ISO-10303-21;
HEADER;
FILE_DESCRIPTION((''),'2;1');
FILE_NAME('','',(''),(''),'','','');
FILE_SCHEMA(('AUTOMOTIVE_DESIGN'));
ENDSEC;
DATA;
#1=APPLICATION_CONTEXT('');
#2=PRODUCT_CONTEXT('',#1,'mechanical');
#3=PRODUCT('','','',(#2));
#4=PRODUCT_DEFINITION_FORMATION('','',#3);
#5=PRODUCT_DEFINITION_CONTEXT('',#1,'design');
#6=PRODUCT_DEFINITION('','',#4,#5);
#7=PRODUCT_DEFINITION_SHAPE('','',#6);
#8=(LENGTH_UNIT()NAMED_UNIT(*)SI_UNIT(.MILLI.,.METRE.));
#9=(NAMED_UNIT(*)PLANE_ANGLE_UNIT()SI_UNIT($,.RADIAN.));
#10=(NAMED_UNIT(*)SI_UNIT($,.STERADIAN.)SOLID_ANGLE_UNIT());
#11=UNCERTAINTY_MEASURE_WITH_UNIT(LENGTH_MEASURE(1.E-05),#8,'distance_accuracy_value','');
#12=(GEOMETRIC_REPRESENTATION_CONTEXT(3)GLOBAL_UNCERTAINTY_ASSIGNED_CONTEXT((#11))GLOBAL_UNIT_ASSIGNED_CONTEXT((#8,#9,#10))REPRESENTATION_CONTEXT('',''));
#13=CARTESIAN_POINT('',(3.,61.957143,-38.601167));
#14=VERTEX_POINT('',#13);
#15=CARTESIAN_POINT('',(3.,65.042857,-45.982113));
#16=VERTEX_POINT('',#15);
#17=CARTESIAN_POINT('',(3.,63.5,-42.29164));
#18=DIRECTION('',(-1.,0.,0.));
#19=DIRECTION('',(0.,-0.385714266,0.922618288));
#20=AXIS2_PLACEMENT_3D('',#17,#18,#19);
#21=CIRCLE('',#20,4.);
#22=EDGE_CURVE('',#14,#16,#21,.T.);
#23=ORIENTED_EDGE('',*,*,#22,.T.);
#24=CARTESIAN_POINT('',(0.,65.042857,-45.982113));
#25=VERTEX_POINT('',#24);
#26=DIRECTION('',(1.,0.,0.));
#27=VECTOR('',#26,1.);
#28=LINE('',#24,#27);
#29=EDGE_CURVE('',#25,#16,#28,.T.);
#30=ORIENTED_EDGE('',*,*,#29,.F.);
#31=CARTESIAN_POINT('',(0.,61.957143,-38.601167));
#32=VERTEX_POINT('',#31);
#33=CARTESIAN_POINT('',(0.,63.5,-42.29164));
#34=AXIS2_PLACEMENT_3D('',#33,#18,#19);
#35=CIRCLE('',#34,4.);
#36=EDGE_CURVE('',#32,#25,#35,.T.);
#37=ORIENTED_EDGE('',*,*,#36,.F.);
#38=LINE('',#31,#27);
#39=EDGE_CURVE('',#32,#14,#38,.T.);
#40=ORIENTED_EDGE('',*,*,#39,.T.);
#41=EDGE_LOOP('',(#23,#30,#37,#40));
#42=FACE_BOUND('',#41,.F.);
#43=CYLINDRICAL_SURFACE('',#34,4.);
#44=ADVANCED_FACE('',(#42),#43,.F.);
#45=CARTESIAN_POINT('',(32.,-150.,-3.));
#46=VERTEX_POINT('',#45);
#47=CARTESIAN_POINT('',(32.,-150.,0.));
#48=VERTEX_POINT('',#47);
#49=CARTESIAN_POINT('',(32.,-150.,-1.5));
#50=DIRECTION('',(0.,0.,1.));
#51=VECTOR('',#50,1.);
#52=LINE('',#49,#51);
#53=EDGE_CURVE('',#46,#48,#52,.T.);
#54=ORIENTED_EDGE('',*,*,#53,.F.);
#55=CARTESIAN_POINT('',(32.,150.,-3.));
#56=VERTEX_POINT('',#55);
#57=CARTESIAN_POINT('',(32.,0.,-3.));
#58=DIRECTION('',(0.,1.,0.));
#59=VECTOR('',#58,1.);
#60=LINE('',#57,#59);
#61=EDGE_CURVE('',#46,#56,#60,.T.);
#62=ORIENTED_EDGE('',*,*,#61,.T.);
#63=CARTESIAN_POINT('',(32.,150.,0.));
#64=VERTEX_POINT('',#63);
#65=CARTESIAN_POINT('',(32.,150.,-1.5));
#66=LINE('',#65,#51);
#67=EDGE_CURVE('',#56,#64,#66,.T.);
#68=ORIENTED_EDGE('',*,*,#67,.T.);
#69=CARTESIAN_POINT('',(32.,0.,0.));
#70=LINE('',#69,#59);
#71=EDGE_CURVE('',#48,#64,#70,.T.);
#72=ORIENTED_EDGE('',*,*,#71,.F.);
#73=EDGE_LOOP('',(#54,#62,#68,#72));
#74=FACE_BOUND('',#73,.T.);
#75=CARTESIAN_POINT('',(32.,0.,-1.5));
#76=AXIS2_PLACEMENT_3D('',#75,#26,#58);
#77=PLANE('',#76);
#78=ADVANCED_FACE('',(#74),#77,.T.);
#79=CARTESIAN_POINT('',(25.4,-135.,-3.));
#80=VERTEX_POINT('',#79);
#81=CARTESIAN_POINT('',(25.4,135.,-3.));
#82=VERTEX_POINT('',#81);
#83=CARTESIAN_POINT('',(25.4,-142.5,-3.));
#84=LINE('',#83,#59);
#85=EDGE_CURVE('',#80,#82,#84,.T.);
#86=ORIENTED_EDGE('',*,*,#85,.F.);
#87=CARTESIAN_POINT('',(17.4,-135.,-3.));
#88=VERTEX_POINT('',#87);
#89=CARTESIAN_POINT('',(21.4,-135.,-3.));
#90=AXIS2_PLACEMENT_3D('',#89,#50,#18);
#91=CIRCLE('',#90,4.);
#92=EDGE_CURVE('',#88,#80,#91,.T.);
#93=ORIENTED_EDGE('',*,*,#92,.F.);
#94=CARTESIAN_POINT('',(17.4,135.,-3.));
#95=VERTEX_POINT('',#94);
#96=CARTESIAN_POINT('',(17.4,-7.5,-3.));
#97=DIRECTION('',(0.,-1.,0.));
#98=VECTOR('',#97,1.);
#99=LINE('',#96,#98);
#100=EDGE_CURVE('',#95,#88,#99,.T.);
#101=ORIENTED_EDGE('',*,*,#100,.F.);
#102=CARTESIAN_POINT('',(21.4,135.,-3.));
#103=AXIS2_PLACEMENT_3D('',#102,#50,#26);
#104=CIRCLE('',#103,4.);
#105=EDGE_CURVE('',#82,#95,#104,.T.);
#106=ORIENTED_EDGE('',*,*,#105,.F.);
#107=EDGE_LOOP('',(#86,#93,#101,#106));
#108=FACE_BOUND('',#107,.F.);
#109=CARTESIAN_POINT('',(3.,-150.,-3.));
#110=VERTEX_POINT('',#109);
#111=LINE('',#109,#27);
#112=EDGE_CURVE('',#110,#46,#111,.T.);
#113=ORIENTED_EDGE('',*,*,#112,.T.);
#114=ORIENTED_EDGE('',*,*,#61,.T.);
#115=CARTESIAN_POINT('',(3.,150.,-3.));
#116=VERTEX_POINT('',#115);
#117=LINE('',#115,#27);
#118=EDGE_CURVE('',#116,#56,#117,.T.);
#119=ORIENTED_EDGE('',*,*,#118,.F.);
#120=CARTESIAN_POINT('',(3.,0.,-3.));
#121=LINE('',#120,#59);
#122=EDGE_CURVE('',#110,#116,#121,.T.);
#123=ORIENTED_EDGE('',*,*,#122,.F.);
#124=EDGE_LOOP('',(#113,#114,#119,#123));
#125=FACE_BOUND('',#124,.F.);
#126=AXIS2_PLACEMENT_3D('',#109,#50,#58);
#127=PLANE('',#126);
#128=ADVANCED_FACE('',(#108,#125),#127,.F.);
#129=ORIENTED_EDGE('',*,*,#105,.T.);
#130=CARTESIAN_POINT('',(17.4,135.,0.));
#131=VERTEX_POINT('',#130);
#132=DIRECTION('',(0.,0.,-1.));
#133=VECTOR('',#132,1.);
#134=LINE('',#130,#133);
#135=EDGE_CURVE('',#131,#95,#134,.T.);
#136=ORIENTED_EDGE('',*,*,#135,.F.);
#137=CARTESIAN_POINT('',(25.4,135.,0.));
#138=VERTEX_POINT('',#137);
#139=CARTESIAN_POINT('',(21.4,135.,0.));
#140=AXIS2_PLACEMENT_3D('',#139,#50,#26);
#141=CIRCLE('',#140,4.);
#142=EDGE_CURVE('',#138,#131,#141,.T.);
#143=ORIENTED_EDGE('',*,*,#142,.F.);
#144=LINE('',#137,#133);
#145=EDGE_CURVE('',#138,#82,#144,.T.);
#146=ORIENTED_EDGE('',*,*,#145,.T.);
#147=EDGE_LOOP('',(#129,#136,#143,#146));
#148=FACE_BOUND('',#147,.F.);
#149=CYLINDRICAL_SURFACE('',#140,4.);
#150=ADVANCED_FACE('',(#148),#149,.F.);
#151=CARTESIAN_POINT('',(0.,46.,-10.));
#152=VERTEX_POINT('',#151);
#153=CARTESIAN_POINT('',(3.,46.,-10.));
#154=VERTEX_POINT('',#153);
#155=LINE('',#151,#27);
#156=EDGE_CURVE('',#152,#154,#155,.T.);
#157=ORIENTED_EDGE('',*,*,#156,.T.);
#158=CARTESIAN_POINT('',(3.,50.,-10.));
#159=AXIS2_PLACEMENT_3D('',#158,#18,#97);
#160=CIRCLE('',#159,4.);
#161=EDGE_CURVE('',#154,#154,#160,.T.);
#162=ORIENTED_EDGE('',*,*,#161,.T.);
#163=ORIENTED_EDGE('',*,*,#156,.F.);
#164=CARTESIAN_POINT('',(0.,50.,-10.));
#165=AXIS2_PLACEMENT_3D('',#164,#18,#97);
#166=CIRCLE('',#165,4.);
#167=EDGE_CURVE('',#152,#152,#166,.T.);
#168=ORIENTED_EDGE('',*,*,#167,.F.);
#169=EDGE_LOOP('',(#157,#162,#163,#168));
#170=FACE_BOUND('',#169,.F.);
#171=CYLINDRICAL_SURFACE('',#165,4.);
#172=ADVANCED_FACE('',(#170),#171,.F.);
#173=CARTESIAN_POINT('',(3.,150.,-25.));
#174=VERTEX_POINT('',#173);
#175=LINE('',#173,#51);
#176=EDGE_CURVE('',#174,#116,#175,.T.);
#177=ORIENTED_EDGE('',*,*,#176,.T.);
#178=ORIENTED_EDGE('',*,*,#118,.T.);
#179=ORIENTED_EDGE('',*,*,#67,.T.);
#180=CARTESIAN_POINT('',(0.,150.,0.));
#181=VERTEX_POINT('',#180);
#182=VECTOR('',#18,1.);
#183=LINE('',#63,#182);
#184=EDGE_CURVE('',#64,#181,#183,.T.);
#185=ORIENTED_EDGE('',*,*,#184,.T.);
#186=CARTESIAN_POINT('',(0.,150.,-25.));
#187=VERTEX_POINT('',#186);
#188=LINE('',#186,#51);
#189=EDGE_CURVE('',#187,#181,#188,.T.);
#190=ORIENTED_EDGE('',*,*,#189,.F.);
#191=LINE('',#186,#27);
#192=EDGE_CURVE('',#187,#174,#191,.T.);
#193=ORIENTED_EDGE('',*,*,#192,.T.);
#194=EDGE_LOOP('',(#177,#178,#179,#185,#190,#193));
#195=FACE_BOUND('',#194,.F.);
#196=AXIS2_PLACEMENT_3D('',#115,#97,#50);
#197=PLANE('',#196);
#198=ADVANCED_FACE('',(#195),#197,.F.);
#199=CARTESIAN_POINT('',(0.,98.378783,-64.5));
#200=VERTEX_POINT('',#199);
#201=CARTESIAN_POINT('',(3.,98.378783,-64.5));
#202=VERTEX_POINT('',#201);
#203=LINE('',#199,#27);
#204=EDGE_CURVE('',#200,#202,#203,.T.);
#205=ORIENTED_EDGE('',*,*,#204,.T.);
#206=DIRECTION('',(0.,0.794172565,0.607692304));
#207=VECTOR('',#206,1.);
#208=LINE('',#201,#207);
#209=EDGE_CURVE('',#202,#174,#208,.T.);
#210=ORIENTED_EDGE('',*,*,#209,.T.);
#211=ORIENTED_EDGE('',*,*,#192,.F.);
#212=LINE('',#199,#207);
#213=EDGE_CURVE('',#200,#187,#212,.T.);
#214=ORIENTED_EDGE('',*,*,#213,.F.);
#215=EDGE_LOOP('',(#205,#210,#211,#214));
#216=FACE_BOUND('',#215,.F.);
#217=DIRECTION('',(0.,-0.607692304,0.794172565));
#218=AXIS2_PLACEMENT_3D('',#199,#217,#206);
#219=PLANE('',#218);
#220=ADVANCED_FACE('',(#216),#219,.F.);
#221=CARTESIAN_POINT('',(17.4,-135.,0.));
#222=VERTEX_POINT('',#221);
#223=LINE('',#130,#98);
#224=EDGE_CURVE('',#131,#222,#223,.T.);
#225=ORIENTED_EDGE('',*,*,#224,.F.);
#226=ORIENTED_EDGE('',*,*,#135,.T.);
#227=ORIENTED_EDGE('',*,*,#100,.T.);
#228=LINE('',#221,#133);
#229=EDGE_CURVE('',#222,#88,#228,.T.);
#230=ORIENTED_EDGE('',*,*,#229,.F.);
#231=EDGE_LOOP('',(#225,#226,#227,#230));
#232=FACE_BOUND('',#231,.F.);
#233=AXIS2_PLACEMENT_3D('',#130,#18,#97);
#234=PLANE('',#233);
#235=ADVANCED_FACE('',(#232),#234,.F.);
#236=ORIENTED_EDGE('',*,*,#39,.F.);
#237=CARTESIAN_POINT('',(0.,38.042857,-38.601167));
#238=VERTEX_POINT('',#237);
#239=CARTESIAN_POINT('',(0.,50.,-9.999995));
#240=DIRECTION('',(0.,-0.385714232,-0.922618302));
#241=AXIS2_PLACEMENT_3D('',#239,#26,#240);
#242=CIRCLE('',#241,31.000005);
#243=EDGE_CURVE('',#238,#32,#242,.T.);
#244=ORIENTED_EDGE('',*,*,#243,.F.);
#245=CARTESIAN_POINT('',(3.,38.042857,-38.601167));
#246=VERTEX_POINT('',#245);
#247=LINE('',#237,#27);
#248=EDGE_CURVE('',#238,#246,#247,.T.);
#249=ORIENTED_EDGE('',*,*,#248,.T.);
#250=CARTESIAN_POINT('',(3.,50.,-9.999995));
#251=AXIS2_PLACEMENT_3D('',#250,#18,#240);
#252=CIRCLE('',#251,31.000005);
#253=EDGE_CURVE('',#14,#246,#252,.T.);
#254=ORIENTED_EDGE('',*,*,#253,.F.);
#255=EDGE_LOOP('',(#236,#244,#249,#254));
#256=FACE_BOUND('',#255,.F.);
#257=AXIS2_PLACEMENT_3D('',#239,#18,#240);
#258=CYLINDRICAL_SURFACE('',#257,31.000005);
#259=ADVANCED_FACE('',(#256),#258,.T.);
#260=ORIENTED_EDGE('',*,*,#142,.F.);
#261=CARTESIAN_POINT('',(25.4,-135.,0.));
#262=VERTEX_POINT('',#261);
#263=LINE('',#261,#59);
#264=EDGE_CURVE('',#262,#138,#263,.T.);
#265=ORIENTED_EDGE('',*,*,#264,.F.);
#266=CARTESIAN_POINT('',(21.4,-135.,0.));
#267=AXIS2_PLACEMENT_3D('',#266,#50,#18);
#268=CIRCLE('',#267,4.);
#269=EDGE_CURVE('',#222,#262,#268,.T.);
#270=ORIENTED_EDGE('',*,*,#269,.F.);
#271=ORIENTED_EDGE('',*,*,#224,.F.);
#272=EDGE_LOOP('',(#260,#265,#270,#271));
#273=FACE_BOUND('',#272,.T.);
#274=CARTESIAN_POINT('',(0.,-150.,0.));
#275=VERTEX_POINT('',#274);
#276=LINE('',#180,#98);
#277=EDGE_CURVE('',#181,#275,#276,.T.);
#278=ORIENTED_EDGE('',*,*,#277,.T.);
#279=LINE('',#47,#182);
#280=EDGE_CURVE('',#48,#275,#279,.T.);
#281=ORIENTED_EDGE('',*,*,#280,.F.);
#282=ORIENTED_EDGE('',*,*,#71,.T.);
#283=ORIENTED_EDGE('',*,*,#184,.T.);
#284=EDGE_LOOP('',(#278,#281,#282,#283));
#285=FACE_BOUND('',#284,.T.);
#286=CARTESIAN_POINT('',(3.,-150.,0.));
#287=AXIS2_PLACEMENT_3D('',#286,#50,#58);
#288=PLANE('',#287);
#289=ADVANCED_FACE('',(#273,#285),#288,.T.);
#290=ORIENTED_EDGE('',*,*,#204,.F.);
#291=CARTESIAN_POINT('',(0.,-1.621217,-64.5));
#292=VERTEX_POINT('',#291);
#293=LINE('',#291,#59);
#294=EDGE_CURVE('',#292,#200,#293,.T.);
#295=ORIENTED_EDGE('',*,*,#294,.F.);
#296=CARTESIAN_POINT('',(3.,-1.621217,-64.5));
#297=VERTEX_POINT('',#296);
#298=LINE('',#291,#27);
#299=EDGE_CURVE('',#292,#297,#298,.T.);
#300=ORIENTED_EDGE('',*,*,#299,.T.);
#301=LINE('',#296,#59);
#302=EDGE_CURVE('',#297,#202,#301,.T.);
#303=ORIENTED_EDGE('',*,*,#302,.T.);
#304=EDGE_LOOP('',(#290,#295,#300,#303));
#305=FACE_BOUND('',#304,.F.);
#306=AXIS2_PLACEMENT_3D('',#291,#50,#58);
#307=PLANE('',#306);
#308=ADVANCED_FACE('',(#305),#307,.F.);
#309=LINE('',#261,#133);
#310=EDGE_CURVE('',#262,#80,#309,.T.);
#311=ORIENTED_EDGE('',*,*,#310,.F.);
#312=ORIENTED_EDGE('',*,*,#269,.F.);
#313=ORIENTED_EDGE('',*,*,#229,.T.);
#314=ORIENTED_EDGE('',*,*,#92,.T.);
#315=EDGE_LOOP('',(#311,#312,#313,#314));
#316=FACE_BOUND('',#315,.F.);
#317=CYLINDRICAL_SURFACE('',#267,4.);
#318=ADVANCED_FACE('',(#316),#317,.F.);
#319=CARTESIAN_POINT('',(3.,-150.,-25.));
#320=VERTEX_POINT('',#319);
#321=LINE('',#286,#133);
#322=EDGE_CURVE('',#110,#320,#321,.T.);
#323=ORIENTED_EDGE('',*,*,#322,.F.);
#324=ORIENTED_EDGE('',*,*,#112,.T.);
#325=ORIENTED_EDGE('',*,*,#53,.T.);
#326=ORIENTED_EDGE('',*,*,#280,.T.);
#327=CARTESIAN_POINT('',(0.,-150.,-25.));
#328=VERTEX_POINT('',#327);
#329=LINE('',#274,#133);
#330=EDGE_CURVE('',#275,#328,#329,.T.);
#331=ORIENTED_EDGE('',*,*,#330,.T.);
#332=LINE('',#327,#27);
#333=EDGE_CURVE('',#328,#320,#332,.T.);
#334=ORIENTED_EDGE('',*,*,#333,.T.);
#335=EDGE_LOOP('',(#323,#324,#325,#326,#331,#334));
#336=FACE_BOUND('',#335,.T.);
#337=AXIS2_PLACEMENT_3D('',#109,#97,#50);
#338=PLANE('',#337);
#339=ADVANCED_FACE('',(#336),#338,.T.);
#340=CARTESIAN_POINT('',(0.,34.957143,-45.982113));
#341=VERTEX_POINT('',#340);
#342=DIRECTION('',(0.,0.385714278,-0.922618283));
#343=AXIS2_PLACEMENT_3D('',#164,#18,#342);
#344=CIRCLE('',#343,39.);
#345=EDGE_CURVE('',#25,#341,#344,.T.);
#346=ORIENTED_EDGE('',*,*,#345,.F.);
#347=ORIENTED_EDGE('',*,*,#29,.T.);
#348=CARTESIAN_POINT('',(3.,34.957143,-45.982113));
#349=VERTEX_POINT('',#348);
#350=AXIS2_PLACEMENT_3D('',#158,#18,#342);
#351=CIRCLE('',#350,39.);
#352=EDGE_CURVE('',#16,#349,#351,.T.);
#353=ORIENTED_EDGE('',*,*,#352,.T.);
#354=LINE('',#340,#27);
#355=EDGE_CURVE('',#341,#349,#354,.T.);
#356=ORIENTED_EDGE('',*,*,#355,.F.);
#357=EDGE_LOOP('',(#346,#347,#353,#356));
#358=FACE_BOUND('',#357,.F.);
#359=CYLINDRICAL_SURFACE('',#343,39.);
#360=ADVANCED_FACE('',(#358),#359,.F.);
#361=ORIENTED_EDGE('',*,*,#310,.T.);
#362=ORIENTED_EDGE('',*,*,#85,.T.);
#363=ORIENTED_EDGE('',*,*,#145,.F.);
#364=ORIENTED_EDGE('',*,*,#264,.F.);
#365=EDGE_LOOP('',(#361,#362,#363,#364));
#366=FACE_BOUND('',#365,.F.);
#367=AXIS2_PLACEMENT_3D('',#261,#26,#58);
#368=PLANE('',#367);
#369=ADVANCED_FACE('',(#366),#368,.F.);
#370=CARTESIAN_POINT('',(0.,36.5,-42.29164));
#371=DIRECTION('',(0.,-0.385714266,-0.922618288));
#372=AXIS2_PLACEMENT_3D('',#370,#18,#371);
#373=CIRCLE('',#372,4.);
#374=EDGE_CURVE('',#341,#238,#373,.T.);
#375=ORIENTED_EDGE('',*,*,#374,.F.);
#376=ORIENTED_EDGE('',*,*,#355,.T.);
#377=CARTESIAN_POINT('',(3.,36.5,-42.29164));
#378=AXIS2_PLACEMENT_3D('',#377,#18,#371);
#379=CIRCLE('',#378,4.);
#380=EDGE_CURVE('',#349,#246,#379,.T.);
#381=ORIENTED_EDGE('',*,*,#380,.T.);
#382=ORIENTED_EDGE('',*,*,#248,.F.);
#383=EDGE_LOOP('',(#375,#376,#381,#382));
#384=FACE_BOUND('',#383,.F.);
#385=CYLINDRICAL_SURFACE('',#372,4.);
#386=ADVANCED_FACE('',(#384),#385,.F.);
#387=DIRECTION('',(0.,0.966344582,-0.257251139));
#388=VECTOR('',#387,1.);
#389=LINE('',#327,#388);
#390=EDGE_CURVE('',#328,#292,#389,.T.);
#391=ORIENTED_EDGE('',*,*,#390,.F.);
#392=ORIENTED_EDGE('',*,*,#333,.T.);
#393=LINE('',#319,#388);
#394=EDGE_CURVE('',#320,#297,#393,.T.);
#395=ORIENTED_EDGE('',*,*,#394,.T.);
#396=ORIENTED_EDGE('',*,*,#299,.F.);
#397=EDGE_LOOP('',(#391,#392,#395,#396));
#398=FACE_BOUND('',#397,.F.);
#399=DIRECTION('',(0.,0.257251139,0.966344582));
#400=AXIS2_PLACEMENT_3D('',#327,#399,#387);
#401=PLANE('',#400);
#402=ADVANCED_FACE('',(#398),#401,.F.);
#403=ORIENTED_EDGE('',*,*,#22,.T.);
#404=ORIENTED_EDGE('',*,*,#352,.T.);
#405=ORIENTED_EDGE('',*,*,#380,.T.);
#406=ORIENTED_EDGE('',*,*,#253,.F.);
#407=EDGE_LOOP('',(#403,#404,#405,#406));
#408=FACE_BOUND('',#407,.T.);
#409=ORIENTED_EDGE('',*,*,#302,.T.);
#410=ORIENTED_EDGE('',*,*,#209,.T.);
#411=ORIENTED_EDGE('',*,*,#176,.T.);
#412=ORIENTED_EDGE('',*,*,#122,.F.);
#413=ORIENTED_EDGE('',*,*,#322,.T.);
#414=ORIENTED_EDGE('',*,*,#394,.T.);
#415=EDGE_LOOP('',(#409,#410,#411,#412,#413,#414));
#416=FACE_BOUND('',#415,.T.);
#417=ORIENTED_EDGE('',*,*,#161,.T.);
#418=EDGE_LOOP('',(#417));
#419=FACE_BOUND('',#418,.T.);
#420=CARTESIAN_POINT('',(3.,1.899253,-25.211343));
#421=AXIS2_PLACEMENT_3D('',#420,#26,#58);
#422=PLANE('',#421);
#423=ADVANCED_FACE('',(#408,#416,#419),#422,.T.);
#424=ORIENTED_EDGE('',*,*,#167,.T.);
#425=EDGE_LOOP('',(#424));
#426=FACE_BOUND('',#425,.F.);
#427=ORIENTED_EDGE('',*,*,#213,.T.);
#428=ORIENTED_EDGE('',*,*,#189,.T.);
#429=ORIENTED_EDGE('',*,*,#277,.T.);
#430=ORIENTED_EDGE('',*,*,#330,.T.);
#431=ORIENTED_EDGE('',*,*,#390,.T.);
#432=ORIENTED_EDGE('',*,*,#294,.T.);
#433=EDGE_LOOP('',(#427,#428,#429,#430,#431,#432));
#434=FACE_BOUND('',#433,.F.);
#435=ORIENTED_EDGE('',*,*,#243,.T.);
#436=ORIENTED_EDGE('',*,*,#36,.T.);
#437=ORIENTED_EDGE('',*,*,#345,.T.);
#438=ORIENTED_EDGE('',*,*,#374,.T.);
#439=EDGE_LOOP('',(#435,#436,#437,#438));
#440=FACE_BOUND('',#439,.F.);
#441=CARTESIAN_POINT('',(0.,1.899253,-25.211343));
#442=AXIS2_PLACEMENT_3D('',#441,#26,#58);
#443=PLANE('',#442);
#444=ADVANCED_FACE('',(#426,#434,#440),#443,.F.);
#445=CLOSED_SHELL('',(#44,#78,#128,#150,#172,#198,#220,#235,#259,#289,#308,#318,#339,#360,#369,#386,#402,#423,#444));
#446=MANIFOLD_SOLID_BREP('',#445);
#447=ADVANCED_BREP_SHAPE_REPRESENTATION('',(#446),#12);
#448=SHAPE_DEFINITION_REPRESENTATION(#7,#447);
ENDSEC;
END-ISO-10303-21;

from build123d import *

# Parameters (mm, degrees)
F1_DEPTH = 3
F2_W     = 300
F2_H     = 3
F3_DEPTH = 29
F5_DEPTH = 64.501
F6_R     = 4
F7_DEPTH = 32.001


with BuildPart() as f1:
    # F0 (on Right) → F1 (new body)
    with BuildSketch(Plane.YZ):
        Polygon((150, -25), (150, 0), (-150, 0), (-150, -25), (-1.621217, -64.5), (98.378783, -64.5), align=None)
    extrude(amount=F1_DEPTH)

    # F2 (on face) → F3 (join)
    with BuildSketch(Plane.YZ.offset(3)):
        with Locations((0, -1.5)):
            Rectangle(F2_W, F2_H)
    extrude(amount=F3_DEPTH)

    # F4 (on face) → F5 (cut, through all)
    with BuildSketch(Plane.XY):
        with BuildLine():
            ThreePointArc((17.4, -135), (21.4, -139), (25.4, -135))
            Line((25.4, -135), (25.4, 135))
            ThreePointArc((25.4, 135), (21.4, 139), (17.4, 135))
            Line((17.4, 135), (17.4, -135))
        make_face()
    extrude(amount=-F5_DEPTH, mode=Mode.SUBTRACT)

    # F6 (on face) → F7 (cut, through all)
    with BuildSketch(Plane(origin=(0, 0, 0), x_dir=(0, -1, 0), z_dir=(-1, 0, 0))):
        with Locations((-50, -10)):
            Circle(F6_R)
        with BuildLine():
            ThreePointArc((-61.957143, -38.601167), (-67.190473, -40.748783), (-65.042857, -45.982113))
            ThreePointArc((-65.042857, -45.982113), (-50, -49), (-34.957143, -45.982113))
            ThreePointArc((-34.957143, -45.982113), (-32.809527, -40.748783), (-38.042857, -38.601167))
            ThreePointArc((-38.042857, -38.601167), (-50, -41), (-61.957143, -38.601167))
        make_face()
    extrude(amount=-F7_DEPTH, mode=Mode.SUBTRACT)


solid = f1.part
